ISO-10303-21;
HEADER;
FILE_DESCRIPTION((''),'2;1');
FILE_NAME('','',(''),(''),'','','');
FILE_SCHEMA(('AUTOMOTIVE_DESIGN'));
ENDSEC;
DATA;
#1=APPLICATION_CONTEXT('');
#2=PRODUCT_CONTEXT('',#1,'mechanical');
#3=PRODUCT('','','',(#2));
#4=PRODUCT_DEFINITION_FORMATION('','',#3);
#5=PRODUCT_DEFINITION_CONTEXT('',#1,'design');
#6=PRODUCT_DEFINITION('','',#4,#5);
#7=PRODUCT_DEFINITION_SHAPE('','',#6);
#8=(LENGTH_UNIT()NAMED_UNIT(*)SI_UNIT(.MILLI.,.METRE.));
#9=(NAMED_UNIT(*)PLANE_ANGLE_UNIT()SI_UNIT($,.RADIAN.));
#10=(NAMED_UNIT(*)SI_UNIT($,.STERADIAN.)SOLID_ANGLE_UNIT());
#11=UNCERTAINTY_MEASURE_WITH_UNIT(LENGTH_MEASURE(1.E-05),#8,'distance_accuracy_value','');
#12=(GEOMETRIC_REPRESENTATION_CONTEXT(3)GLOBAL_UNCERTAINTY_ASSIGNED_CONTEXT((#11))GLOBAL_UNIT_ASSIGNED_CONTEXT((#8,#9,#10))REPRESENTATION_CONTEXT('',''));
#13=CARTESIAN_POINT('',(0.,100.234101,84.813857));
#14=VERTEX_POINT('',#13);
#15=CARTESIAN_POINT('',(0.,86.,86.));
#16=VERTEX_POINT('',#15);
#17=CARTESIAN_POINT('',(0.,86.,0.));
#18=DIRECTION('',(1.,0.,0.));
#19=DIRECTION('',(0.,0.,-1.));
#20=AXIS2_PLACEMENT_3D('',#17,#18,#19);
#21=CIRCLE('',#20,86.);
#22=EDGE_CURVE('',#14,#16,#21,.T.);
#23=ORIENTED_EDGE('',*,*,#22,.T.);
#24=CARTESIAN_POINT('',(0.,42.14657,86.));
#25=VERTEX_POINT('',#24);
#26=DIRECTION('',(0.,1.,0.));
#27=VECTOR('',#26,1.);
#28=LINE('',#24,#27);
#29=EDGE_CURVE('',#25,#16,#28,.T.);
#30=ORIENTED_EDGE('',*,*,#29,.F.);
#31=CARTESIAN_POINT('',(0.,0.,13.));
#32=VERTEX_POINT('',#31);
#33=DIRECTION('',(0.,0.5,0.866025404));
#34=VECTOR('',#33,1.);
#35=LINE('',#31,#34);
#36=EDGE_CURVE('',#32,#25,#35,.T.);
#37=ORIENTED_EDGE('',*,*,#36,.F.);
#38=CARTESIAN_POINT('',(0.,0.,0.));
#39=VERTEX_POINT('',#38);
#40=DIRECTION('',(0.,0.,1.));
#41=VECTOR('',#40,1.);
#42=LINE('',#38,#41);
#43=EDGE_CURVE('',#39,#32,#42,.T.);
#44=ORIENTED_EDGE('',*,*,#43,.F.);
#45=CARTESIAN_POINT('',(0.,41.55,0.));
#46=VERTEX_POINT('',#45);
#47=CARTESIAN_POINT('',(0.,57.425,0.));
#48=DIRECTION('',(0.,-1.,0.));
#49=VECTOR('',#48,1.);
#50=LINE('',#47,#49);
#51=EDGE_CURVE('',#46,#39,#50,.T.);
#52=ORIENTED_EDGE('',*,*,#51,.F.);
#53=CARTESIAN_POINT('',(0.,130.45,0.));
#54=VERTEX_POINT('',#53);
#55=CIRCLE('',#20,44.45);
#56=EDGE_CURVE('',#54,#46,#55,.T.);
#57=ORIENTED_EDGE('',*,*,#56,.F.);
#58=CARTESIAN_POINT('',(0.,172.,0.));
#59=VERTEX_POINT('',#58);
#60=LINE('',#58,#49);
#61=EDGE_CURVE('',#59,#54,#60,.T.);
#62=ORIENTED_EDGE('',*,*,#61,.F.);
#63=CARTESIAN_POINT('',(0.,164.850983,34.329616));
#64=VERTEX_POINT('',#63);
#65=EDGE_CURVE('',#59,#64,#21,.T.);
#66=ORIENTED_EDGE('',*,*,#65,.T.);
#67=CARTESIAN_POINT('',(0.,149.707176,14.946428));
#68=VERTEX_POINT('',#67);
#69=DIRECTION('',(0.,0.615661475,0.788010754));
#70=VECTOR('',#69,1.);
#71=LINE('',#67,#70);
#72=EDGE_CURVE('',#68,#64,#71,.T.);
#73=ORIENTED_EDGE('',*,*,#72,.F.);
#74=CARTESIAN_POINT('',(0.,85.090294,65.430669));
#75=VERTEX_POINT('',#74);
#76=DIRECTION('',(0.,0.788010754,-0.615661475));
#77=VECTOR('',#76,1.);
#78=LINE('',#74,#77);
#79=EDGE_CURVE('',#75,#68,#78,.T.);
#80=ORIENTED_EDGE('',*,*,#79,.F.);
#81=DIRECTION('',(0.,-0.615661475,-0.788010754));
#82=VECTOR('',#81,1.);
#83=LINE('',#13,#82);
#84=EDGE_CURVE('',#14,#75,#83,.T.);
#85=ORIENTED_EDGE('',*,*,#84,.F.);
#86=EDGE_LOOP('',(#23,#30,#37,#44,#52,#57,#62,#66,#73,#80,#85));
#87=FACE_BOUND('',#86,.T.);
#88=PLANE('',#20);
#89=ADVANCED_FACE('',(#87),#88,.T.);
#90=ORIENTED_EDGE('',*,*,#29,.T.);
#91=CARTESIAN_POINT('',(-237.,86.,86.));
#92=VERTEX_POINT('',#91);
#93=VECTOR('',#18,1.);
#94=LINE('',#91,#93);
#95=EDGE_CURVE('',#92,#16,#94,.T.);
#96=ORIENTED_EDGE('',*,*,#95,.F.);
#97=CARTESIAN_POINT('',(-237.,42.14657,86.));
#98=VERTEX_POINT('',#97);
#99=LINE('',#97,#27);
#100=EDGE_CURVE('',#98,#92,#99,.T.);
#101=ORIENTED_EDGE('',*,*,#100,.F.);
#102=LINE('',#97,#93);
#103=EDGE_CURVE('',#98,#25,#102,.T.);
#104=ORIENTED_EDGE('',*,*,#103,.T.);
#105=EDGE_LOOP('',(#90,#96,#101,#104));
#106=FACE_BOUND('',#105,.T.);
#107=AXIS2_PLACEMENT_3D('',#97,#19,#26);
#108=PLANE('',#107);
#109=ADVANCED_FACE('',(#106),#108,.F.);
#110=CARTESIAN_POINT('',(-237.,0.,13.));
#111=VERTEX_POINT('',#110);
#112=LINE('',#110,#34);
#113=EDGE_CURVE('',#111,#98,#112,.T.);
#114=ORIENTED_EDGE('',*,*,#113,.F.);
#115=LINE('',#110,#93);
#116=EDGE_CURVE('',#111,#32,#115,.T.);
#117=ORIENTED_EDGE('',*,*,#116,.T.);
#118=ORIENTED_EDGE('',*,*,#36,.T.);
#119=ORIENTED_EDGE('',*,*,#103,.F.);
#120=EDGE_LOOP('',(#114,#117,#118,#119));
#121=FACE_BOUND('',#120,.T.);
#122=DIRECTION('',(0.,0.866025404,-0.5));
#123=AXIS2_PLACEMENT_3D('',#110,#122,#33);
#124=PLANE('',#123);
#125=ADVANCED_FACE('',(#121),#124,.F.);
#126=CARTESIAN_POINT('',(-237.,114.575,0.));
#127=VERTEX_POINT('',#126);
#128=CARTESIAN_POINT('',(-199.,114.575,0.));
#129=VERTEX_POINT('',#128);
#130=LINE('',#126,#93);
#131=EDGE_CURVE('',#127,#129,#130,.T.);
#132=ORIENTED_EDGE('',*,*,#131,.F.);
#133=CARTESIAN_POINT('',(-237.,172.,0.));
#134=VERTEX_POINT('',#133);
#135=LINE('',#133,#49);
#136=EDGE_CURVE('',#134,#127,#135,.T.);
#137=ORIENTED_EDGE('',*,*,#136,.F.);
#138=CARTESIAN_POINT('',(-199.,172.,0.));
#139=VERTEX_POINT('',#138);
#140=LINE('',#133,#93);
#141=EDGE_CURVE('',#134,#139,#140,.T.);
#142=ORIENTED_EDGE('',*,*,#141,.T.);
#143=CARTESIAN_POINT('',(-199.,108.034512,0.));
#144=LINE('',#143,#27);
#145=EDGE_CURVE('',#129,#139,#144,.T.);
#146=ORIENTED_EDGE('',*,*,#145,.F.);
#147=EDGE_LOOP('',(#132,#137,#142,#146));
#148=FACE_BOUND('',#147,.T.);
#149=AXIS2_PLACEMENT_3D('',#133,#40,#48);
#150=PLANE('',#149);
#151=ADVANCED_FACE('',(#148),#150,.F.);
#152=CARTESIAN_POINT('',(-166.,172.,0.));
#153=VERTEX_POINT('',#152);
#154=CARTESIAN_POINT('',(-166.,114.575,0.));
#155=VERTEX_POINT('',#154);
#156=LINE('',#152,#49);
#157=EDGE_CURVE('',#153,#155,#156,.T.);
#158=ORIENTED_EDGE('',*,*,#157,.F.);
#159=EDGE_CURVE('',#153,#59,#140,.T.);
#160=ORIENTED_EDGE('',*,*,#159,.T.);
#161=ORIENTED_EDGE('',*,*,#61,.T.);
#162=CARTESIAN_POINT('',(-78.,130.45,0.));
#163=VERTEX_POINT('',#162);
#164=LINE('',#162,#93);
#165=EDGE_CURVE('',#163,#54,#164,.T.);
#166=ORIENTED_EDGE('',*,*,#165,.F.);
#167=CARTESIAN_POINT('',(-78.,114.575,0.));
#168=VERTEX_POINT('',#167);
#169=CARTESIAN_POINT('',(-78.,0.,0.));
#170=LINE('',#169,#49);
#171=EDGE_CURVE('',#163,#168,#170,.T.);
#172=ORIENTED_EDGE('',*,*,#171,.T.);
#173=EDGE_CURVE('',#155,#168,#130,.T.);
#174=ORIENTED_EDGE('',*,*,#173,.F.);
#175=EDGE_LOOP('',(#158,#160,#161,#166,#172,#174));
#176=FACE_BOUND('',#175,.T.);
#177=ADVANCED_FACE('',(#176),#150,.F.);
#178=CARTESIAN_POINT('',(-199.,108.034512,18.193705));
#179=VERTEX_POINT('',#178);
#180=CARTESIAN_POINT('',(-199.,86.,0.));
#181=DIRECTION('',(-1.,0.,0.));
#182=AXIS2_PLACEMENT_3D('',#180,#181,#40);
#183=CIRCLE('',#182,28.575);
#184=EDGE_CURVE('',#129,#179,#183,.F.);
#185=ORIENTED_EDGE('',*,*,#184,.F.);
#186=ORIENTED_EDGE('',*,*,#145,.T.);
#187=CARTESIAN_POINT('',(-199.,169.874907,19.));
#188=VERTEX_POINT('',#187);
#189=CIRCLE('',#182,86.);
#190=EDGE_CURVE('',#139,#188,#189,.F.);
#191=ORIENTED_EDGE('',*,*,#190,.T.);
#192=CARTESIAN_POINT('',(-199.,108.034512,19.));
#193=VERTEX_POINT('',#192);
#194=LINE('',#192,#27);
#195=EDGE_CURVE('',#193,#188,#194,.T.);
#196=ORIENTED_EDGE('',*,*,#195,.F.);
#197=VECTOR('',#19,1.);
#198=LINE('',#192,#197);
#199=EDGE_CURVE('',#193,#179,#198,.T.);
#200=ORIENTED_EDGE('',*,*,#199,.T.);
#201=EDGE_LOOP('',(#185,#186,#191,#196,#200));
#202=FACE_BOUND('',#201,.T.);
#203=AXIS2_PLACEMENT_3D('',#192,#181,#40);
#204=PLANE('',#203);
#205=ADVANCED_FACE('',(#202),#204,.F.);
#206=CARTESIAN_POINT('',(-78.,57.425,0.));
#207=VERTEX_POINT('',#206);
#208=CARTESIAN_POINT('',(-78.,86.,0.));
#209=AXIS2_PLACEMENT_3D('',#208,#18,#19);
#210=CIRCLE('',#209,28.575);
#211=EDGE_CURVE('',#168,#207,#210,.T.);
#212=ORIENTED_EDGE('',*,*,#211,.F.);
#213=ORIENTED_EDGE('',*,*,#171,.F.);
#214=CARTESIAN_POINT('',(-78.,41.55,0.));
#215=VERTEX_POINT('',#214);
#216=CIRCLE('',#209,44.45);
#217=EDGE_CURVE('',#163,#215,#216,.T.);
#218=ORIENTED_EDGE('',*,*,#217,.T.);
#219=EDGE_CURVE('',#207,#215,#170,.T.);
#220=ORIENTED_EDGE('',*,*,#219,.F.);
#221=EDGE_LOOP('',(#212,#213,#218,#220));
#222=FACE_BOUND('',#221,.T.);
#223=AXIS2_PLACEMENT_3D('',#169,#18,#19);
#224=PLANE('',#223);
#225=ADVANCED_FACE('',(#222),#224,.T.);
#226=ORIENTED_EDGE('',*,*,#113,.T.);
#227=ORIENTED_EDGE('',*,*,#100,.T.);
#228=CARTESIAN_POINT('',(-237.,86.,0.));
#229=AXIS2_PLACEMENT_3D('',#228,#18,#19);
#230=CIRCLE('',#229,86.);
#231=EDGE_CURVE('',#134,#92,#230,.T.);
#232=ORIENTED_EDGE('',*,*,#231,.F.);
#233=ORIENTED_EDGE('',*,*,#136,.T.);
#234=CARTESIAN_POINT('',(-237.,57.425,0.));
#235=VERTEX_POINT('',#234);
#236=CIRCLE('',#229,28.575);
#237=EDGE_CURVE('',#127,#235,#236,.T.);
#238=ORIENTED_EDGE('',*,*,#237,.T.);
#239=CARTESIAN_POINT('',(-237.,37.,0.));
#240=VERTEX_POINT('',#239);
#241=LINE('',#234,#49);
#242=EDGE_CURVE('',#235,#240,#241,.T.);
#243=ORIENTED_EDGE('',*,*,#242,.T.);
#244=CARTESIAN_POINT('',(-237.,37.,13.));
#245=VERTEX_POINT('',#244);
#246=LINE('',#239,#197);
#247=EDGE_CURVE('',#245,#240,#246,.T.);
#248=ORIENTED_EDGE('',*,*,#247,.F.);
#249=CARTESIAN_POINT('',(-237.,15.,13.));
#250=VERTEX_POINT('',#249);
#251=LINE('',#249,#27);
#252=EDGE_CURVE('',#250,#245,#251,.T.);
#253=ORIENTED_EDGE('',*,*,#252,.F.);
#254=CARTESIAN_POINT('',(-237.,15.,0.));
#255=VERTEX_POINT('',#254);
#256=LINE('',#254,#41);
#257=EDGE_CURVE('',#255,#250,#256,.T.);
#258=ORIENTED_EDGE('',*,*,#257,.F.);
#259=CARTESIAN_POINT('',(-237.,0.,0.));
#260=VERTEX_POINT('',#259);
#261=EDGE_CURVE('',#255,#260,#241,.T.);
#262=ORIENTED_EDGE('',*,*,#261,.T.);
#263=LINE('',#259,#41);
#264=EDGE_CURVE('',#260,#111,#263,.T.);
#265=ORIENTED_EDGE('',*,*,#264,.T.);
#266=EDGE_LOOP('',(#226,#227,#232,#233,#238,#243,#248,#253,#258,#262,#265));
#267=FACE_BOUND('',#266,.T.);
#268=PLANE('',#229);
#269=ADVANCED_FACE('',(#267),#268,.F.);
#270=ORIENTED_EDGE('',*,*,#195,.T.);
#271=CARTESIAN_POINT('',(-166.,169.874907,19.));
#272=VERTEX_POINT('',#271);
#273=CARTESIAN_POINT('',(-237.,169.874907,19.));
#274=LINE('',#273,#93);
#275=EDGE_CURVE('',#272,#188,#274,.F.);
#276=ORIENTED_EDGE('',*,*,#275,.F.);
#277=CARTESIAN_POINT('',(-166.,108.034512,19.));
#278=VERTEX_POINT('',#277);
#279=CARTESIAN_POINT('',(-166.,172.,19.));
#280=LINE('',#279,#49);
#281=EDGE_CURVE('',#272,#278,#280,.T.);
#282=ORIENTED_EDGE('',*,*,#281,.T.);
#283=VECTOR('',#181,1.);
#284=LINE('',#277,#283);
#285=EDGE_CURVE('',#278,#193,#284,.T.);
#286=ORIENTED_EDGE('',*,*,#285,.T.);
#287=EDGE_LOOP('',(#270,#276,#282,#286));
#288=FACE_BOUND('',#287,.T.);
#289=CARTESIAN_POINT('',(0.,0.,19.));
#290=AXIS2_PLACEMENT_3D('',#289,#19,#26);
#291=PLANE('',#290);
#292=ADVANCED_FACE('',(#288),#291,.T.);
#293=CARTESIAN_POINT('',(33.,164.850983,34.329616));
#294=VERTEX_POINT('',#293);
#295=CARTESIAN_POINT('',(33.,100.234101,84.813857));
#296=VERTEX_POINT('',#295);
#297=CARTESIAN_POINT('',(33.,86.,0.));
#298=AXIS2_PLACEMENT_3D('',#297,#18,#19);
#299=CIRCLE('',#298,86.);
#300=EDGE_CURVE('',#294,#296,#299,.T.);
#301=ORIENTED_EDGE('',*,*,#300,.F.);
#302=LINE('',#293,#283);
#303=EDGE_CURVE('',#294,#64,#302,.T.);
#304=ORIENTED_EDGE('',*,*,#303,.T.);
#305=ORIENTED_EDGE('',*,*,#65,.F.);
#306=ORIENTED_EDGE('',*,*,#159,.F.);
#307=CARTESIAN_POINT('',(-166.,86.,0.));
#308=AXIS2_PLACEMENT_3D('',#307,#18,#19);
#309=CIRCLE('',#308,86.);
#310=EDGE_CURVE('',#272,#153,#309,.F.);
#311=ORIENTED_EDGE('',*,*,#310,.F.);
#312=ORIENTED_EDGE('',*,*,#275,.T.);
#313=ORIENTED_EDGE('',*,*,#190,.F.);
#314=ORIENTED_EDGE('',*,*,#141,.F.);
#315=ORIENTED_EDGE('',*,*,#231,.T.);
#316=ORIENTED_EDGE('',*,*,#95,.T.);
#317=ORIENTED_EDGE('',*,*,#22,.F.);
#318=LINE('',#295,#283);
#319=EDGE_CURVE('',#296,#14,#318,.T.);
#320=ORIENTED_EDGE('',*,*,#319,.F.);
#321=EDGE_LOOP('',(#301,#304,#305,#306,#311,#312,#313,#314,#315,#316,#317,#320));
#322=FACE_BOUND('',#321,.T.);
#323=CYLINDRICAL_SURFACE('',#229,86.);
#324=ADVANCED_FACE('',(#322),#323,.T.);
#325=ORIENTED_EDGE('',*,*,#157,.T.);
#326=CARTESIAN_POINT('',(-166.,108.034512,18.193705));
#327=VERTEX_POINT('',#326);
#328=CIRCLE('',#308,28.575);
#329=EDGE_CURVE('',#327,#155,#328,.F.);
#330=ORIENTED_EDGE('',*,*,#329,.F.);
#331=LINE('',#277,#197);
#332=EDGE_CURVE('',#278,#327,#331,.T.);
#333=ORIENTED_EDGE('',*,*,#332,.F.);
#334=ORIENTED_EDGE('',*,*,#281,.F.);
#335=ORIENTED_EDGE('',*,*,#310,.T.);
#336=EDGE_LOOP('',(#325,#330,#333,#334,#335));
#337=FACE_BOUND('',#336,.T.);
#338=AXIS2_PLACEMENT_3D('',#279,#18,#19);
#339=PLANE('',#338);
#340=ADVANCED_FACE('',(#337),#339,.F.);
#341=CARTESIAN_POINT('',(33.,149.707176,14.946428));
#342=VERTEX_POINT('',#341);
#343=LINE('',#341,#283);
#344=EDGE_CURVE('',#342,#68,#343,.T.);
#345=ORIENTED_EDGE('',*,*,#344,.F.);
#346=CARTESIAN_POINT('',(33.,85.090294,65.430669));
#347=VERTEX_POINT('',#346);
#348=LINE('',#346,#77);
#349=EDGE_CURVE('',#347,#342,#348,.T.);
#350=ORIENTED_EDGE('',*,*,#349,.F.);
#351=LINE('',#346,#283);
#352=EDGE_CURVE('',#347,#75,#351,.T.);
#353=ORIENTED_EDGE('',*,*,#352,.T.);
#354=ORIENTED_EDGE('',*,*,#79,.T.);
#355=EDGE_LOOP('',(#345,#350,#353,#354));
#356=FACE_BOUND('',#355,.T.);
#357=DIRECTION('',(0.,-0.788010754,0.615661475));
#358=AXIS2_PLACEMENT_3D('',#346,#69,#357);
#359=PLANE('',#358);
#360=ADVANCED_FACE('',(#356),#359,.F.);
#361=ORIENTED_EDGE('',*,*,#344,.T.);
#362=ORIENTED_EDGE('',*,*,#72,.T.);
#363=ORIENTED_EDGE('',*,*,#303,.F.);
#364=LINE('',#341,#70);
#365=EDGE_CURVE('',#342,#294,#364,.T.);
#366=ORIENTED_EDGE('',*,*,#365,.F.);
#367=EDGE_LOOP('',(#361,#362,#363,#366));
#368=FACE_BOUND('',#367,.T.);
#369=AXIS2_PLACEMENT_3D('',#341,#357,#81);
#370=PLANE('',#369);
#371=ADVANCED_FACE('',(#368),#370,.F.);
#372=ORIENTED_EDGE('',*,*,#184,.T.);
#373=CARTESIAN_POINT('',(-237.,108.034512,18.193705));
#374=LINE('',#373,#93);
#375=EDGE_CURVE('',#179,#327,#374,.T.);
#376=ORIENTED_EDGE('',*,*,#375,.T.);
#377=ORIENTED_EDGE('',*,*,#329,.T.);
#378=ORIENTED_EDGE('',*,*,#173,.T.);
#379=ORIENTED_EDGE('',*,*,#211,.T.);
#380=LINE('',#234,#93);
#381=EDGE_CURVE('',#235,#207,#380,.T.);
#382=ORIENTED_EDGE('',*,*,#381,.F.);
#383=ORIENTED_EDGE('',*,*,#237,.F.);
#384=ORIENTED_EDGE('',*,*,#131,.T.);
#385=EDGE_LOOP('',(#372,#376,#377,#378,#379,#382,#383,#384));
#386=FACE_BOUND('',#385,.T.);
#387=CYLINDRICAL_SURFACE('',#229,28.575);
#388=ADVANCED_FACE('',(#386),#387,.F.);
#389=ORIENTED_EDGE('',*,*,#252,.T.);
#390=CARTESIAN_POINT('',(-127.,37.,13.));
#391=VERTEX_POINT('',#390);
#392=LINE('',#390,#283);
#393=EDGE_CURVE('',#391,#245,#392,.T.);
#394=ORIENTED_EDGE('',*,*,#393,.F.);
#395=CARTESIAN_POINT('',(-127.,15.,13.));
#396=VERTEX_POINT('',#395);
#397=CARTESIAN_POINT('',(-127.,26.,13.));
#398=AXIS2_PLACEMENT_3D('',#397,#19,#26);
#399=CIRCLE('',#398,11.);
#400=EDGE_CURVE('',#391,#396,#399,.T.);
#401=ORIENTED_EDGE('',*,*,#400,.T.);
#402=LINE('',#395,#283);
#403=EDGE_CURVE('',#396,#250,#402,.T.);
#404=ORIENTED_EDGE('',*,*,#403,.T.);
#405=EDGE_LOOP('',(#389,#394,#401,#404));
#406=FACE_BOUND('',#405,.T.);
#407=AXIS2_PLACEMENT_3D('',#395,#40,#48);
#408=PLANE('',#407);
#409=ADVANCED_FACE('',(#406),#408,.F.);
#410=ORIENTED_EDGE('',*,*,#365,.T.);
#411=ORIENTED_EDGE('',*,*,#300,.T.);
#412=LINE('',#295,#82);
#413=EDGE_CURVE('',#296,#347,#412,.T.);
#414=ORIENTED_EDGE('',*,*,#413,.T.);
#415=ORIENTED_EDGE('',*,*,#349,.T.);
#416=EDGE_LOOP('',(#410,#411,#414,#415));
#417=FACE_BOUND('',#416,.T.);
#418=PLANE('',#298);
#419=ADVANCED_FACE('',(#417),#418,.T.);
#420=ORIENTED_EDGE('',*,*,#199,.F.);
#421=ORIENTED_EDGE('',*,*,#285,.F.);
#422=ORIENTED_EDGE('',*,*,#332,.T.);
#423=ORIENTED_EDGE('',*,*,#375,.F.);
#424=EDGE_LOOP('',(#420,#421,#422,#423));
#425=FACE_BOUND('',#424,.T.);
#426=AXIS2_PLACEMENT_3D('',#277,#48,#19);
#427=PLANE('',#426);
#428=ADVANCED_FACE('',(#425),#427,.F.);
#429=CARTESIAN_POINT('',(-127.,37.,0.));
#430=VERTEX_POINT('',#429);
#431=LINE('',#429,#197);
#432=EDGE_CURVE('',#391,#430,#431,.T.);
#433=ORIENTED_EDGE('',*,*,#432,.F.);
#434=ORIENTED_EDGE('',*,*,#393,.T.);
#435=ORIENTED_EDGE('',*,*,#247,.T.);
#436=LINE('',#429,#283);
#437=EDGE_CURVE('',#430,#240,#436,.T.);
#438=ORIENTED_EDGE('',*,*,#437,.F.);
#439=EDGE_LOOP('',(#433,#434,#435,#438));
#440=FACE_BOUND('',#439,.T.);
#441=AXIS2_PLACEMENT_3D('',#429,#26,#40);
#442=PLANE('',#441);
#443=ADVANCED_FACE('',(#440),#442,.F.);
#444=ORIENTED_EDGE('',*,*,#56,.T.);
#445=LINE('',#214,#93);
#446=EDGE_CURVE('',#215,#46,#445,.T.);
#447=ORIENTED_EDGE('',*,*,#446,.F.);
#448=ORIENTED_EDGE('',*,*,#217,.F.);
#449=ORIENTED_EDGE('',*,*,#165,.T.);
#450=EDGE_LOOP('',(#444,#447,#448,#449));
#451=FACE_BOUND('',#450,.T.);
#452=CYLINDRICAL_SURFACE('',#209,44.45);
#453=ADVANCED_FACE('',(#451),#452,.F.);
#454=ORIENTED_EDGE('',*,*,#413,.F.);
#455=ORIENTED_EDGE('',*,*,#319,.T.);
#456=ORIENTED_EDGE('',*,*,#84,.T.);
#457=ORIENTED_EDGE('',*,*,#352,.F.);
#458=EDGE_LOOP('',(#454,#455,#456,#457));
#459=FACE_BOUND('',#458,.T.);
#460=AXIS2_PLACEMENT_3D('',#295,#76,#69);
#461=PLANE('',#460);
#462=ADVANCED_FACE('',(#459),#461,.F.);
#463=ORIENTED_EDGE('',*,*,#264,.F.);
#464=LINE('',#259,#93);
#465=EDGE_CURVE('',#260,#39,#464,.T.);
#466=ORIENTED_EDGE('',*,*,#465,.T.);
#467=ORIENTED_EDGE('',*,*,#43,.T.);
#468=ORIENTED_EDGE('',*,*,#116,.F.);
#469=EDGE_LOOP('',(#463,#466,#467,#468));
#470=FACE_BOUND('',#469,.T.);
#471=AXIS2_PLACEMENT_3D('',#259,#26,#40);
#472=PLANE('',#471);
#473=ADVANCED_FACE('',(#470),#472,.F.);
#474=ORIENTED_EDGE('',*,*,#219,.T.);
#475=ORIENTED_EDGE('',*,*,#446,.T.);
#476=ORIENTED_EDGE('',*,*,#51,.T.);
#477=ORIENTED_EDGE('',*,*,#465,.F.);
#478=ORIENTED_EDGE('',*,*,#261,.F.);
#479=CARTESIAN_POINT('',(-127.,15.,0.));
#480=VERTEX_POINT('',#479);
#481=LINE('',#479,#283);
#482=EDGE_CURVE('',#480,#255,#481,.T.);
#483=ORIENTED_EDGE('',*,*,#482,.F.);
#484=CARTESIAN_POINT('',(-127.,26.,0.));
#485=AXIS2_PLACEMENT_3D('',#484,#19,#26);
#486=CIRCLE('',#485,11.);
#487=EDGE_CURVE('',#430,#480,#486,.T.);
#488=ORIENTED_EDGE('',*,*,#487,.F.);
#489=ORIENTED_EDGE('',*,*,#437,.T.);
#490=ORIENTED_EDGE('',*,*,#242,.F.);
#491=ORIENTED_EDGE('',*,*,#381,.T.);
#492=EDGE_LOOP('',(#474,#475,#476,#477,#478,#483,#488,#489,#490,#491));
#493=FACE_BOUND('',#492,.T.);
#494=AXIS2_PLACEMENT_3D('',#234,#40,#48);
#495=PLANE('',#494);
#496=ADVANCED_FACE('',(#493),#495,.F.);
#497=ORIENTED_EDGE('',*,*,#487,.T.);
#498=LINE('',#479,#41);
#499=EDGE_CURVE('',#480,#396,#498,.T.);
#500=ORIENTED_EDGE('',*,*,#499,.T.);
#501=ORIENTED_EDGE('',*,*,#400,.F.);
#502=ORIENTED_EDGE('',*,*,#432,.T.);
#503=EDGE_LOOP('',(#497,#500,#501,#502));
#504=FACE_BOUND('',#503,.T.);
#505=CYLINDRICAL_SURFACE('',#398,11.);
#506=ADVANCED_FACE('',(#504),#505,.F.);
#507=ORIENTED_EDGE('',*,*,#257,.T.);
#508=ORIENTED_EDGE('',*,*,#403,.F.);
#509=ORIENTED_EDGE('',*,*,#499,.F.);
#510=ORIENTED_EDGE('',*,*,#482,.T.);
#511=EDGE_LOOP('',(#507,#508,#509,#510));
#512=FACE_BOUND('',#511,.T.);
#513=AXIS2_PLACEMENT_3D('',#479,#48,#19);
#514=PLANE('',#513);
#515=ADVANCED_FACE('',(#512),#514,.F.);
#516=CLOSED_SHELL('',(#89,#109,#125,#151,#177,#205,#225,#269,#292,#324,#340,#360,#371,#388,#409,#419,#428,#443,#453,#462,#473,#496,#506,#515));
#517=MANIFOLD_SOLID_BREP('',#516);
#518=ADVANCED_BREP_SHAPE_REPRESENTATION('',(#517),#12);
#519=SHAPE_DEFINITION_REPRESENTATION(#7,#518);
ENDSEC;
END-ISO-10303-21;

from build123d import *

# Parameters (mm, degrees)
EXTRUDE_9_DEPTH     = 237
CUT_EXTRUDE_3_DEPTH = 78
SKETCH_12_W         = 13
SKETCH_12_H         = 22
CUT_EXTRUDE_5_DEPTH = 110
SKETCH_13_R         = 11
CUT_EXTRUDE_6_DEPTH = 13
SKETCH_14_W         = 33
SKETCH_14_H         = 63.965487913
CUT_EXTRUDE_9_DEPTH = 19
EXTRUDE_START       = 33
EXTRUDE_11_DEPTH    = 33


with BuildPart() as part:
    # 草图1 → 凸台-拉伸9 (new body)
    with BuildSketch(Plane(origin=(0, 0, 0), x_dir=(0, 0, -1), z_dir=(1, 0, 0))):
        with BuildLine():
            Line((0, 172), (0, 114.575))
            ThreePointArc((0, 114.575), (-28.575, 86), (0, 57.425))
            Line((0, 57.425), (0, 0))
            Line((0, 0), (-13, 0))
            Line((-13, 0), (-86, 42.146569651))
            Line((-86, 42.146569651), (-86, 86))
            ThreePointArc((-86, 86), (-60.811183182, 146.811183182), (0, 172))
        make_face()
    extrude(amount=-EXTRUDE_9_DEPTH)

    # 草图1<13> → 切除-拉伸3 (cut)
    with BuildSketch(Plane(origin=(0, 0, 0), x_dir=(0, 0, -1), z_dir=(1, 0, 0))):
        with BuildLine():
            Line((0, 114.575), (0, 130.45))
            ThreePointArc((0, 130.45), (-44.45, 86), (0, 41.55))
            Line((0, 41.55), (0, 57.425))
            ThreePointArc((0, 57.425), (-28.575, 86), (0, 114.575))
        make_face()
    extrude(amount=-CUT_EXTRUDE_3_DEPTH, mode=Mode.SUBTRACT)

    # 草图12 → 切除-拉伸5 (cut)
    with BuildSketch(Plane.ZY.offset(237)):
        with Locations((6.5, 26)):
            Rectangle(SKETCH_12_W, SKETCH_12_H)
    extrude(amount=-CUT_EXTRUDE_5_DEPTH, mode=Mode.SUBTRACT)

    # 草图13 → 切除-拉伸6 (cut)
    with BuildSketch(Plane(origin=(0, 0, 0), x_dir=(-1, 0, 0), z_dir=(0, 0, -1))):
        with Locations((127, 26)):
            Circle(SKETCH_13_R)
    extrude(amount=-CUT_EXTRUDE_6_DEPTH, mode=Mode.SUBTRACT)

    # 草图14 → 切除-拉伸9 (cut)
    with BuildSketch(Plane(origin=(0, 0, 0), x_dir=(-1, 0, 0), z_dir=(0, 0, -1))):
        with Locations((182.5, 140.017256043)):
            Rectangle(SKETCH_14_W, SKETCH_14_H)
    extrude(amount=-CUT_EXTRUDE_9_DEPTH, mode=Mode.SUBTRACT)

    # 草图10 → 凸台-拉伸11 (add)
    with BuildSketch(Plane(origin=(0, 0, 0), x_dir=(0, 0, -1), z_dir=(1, 0, 0)).offset(EXTRUDE_START)):
        with BuildLine():
            Line((-84.813857215, 100.234100753), (-65.430668922, 85.090294344))
            Line((-65.430668922, 85.090294344), (-14.946427946, 149.707176139))
            Line((-14.946427946, 149.707176139), (-34.329616239, 164.850982549))
            ThreePointArc((-34.329616239, 164.850982549), (-67.76892481, 138.946886878), (-84.813857215, 100.234100753))
        make_face()
    extrude(amount=-EXTRUDE_11_DEPTH)


solid = part.part
